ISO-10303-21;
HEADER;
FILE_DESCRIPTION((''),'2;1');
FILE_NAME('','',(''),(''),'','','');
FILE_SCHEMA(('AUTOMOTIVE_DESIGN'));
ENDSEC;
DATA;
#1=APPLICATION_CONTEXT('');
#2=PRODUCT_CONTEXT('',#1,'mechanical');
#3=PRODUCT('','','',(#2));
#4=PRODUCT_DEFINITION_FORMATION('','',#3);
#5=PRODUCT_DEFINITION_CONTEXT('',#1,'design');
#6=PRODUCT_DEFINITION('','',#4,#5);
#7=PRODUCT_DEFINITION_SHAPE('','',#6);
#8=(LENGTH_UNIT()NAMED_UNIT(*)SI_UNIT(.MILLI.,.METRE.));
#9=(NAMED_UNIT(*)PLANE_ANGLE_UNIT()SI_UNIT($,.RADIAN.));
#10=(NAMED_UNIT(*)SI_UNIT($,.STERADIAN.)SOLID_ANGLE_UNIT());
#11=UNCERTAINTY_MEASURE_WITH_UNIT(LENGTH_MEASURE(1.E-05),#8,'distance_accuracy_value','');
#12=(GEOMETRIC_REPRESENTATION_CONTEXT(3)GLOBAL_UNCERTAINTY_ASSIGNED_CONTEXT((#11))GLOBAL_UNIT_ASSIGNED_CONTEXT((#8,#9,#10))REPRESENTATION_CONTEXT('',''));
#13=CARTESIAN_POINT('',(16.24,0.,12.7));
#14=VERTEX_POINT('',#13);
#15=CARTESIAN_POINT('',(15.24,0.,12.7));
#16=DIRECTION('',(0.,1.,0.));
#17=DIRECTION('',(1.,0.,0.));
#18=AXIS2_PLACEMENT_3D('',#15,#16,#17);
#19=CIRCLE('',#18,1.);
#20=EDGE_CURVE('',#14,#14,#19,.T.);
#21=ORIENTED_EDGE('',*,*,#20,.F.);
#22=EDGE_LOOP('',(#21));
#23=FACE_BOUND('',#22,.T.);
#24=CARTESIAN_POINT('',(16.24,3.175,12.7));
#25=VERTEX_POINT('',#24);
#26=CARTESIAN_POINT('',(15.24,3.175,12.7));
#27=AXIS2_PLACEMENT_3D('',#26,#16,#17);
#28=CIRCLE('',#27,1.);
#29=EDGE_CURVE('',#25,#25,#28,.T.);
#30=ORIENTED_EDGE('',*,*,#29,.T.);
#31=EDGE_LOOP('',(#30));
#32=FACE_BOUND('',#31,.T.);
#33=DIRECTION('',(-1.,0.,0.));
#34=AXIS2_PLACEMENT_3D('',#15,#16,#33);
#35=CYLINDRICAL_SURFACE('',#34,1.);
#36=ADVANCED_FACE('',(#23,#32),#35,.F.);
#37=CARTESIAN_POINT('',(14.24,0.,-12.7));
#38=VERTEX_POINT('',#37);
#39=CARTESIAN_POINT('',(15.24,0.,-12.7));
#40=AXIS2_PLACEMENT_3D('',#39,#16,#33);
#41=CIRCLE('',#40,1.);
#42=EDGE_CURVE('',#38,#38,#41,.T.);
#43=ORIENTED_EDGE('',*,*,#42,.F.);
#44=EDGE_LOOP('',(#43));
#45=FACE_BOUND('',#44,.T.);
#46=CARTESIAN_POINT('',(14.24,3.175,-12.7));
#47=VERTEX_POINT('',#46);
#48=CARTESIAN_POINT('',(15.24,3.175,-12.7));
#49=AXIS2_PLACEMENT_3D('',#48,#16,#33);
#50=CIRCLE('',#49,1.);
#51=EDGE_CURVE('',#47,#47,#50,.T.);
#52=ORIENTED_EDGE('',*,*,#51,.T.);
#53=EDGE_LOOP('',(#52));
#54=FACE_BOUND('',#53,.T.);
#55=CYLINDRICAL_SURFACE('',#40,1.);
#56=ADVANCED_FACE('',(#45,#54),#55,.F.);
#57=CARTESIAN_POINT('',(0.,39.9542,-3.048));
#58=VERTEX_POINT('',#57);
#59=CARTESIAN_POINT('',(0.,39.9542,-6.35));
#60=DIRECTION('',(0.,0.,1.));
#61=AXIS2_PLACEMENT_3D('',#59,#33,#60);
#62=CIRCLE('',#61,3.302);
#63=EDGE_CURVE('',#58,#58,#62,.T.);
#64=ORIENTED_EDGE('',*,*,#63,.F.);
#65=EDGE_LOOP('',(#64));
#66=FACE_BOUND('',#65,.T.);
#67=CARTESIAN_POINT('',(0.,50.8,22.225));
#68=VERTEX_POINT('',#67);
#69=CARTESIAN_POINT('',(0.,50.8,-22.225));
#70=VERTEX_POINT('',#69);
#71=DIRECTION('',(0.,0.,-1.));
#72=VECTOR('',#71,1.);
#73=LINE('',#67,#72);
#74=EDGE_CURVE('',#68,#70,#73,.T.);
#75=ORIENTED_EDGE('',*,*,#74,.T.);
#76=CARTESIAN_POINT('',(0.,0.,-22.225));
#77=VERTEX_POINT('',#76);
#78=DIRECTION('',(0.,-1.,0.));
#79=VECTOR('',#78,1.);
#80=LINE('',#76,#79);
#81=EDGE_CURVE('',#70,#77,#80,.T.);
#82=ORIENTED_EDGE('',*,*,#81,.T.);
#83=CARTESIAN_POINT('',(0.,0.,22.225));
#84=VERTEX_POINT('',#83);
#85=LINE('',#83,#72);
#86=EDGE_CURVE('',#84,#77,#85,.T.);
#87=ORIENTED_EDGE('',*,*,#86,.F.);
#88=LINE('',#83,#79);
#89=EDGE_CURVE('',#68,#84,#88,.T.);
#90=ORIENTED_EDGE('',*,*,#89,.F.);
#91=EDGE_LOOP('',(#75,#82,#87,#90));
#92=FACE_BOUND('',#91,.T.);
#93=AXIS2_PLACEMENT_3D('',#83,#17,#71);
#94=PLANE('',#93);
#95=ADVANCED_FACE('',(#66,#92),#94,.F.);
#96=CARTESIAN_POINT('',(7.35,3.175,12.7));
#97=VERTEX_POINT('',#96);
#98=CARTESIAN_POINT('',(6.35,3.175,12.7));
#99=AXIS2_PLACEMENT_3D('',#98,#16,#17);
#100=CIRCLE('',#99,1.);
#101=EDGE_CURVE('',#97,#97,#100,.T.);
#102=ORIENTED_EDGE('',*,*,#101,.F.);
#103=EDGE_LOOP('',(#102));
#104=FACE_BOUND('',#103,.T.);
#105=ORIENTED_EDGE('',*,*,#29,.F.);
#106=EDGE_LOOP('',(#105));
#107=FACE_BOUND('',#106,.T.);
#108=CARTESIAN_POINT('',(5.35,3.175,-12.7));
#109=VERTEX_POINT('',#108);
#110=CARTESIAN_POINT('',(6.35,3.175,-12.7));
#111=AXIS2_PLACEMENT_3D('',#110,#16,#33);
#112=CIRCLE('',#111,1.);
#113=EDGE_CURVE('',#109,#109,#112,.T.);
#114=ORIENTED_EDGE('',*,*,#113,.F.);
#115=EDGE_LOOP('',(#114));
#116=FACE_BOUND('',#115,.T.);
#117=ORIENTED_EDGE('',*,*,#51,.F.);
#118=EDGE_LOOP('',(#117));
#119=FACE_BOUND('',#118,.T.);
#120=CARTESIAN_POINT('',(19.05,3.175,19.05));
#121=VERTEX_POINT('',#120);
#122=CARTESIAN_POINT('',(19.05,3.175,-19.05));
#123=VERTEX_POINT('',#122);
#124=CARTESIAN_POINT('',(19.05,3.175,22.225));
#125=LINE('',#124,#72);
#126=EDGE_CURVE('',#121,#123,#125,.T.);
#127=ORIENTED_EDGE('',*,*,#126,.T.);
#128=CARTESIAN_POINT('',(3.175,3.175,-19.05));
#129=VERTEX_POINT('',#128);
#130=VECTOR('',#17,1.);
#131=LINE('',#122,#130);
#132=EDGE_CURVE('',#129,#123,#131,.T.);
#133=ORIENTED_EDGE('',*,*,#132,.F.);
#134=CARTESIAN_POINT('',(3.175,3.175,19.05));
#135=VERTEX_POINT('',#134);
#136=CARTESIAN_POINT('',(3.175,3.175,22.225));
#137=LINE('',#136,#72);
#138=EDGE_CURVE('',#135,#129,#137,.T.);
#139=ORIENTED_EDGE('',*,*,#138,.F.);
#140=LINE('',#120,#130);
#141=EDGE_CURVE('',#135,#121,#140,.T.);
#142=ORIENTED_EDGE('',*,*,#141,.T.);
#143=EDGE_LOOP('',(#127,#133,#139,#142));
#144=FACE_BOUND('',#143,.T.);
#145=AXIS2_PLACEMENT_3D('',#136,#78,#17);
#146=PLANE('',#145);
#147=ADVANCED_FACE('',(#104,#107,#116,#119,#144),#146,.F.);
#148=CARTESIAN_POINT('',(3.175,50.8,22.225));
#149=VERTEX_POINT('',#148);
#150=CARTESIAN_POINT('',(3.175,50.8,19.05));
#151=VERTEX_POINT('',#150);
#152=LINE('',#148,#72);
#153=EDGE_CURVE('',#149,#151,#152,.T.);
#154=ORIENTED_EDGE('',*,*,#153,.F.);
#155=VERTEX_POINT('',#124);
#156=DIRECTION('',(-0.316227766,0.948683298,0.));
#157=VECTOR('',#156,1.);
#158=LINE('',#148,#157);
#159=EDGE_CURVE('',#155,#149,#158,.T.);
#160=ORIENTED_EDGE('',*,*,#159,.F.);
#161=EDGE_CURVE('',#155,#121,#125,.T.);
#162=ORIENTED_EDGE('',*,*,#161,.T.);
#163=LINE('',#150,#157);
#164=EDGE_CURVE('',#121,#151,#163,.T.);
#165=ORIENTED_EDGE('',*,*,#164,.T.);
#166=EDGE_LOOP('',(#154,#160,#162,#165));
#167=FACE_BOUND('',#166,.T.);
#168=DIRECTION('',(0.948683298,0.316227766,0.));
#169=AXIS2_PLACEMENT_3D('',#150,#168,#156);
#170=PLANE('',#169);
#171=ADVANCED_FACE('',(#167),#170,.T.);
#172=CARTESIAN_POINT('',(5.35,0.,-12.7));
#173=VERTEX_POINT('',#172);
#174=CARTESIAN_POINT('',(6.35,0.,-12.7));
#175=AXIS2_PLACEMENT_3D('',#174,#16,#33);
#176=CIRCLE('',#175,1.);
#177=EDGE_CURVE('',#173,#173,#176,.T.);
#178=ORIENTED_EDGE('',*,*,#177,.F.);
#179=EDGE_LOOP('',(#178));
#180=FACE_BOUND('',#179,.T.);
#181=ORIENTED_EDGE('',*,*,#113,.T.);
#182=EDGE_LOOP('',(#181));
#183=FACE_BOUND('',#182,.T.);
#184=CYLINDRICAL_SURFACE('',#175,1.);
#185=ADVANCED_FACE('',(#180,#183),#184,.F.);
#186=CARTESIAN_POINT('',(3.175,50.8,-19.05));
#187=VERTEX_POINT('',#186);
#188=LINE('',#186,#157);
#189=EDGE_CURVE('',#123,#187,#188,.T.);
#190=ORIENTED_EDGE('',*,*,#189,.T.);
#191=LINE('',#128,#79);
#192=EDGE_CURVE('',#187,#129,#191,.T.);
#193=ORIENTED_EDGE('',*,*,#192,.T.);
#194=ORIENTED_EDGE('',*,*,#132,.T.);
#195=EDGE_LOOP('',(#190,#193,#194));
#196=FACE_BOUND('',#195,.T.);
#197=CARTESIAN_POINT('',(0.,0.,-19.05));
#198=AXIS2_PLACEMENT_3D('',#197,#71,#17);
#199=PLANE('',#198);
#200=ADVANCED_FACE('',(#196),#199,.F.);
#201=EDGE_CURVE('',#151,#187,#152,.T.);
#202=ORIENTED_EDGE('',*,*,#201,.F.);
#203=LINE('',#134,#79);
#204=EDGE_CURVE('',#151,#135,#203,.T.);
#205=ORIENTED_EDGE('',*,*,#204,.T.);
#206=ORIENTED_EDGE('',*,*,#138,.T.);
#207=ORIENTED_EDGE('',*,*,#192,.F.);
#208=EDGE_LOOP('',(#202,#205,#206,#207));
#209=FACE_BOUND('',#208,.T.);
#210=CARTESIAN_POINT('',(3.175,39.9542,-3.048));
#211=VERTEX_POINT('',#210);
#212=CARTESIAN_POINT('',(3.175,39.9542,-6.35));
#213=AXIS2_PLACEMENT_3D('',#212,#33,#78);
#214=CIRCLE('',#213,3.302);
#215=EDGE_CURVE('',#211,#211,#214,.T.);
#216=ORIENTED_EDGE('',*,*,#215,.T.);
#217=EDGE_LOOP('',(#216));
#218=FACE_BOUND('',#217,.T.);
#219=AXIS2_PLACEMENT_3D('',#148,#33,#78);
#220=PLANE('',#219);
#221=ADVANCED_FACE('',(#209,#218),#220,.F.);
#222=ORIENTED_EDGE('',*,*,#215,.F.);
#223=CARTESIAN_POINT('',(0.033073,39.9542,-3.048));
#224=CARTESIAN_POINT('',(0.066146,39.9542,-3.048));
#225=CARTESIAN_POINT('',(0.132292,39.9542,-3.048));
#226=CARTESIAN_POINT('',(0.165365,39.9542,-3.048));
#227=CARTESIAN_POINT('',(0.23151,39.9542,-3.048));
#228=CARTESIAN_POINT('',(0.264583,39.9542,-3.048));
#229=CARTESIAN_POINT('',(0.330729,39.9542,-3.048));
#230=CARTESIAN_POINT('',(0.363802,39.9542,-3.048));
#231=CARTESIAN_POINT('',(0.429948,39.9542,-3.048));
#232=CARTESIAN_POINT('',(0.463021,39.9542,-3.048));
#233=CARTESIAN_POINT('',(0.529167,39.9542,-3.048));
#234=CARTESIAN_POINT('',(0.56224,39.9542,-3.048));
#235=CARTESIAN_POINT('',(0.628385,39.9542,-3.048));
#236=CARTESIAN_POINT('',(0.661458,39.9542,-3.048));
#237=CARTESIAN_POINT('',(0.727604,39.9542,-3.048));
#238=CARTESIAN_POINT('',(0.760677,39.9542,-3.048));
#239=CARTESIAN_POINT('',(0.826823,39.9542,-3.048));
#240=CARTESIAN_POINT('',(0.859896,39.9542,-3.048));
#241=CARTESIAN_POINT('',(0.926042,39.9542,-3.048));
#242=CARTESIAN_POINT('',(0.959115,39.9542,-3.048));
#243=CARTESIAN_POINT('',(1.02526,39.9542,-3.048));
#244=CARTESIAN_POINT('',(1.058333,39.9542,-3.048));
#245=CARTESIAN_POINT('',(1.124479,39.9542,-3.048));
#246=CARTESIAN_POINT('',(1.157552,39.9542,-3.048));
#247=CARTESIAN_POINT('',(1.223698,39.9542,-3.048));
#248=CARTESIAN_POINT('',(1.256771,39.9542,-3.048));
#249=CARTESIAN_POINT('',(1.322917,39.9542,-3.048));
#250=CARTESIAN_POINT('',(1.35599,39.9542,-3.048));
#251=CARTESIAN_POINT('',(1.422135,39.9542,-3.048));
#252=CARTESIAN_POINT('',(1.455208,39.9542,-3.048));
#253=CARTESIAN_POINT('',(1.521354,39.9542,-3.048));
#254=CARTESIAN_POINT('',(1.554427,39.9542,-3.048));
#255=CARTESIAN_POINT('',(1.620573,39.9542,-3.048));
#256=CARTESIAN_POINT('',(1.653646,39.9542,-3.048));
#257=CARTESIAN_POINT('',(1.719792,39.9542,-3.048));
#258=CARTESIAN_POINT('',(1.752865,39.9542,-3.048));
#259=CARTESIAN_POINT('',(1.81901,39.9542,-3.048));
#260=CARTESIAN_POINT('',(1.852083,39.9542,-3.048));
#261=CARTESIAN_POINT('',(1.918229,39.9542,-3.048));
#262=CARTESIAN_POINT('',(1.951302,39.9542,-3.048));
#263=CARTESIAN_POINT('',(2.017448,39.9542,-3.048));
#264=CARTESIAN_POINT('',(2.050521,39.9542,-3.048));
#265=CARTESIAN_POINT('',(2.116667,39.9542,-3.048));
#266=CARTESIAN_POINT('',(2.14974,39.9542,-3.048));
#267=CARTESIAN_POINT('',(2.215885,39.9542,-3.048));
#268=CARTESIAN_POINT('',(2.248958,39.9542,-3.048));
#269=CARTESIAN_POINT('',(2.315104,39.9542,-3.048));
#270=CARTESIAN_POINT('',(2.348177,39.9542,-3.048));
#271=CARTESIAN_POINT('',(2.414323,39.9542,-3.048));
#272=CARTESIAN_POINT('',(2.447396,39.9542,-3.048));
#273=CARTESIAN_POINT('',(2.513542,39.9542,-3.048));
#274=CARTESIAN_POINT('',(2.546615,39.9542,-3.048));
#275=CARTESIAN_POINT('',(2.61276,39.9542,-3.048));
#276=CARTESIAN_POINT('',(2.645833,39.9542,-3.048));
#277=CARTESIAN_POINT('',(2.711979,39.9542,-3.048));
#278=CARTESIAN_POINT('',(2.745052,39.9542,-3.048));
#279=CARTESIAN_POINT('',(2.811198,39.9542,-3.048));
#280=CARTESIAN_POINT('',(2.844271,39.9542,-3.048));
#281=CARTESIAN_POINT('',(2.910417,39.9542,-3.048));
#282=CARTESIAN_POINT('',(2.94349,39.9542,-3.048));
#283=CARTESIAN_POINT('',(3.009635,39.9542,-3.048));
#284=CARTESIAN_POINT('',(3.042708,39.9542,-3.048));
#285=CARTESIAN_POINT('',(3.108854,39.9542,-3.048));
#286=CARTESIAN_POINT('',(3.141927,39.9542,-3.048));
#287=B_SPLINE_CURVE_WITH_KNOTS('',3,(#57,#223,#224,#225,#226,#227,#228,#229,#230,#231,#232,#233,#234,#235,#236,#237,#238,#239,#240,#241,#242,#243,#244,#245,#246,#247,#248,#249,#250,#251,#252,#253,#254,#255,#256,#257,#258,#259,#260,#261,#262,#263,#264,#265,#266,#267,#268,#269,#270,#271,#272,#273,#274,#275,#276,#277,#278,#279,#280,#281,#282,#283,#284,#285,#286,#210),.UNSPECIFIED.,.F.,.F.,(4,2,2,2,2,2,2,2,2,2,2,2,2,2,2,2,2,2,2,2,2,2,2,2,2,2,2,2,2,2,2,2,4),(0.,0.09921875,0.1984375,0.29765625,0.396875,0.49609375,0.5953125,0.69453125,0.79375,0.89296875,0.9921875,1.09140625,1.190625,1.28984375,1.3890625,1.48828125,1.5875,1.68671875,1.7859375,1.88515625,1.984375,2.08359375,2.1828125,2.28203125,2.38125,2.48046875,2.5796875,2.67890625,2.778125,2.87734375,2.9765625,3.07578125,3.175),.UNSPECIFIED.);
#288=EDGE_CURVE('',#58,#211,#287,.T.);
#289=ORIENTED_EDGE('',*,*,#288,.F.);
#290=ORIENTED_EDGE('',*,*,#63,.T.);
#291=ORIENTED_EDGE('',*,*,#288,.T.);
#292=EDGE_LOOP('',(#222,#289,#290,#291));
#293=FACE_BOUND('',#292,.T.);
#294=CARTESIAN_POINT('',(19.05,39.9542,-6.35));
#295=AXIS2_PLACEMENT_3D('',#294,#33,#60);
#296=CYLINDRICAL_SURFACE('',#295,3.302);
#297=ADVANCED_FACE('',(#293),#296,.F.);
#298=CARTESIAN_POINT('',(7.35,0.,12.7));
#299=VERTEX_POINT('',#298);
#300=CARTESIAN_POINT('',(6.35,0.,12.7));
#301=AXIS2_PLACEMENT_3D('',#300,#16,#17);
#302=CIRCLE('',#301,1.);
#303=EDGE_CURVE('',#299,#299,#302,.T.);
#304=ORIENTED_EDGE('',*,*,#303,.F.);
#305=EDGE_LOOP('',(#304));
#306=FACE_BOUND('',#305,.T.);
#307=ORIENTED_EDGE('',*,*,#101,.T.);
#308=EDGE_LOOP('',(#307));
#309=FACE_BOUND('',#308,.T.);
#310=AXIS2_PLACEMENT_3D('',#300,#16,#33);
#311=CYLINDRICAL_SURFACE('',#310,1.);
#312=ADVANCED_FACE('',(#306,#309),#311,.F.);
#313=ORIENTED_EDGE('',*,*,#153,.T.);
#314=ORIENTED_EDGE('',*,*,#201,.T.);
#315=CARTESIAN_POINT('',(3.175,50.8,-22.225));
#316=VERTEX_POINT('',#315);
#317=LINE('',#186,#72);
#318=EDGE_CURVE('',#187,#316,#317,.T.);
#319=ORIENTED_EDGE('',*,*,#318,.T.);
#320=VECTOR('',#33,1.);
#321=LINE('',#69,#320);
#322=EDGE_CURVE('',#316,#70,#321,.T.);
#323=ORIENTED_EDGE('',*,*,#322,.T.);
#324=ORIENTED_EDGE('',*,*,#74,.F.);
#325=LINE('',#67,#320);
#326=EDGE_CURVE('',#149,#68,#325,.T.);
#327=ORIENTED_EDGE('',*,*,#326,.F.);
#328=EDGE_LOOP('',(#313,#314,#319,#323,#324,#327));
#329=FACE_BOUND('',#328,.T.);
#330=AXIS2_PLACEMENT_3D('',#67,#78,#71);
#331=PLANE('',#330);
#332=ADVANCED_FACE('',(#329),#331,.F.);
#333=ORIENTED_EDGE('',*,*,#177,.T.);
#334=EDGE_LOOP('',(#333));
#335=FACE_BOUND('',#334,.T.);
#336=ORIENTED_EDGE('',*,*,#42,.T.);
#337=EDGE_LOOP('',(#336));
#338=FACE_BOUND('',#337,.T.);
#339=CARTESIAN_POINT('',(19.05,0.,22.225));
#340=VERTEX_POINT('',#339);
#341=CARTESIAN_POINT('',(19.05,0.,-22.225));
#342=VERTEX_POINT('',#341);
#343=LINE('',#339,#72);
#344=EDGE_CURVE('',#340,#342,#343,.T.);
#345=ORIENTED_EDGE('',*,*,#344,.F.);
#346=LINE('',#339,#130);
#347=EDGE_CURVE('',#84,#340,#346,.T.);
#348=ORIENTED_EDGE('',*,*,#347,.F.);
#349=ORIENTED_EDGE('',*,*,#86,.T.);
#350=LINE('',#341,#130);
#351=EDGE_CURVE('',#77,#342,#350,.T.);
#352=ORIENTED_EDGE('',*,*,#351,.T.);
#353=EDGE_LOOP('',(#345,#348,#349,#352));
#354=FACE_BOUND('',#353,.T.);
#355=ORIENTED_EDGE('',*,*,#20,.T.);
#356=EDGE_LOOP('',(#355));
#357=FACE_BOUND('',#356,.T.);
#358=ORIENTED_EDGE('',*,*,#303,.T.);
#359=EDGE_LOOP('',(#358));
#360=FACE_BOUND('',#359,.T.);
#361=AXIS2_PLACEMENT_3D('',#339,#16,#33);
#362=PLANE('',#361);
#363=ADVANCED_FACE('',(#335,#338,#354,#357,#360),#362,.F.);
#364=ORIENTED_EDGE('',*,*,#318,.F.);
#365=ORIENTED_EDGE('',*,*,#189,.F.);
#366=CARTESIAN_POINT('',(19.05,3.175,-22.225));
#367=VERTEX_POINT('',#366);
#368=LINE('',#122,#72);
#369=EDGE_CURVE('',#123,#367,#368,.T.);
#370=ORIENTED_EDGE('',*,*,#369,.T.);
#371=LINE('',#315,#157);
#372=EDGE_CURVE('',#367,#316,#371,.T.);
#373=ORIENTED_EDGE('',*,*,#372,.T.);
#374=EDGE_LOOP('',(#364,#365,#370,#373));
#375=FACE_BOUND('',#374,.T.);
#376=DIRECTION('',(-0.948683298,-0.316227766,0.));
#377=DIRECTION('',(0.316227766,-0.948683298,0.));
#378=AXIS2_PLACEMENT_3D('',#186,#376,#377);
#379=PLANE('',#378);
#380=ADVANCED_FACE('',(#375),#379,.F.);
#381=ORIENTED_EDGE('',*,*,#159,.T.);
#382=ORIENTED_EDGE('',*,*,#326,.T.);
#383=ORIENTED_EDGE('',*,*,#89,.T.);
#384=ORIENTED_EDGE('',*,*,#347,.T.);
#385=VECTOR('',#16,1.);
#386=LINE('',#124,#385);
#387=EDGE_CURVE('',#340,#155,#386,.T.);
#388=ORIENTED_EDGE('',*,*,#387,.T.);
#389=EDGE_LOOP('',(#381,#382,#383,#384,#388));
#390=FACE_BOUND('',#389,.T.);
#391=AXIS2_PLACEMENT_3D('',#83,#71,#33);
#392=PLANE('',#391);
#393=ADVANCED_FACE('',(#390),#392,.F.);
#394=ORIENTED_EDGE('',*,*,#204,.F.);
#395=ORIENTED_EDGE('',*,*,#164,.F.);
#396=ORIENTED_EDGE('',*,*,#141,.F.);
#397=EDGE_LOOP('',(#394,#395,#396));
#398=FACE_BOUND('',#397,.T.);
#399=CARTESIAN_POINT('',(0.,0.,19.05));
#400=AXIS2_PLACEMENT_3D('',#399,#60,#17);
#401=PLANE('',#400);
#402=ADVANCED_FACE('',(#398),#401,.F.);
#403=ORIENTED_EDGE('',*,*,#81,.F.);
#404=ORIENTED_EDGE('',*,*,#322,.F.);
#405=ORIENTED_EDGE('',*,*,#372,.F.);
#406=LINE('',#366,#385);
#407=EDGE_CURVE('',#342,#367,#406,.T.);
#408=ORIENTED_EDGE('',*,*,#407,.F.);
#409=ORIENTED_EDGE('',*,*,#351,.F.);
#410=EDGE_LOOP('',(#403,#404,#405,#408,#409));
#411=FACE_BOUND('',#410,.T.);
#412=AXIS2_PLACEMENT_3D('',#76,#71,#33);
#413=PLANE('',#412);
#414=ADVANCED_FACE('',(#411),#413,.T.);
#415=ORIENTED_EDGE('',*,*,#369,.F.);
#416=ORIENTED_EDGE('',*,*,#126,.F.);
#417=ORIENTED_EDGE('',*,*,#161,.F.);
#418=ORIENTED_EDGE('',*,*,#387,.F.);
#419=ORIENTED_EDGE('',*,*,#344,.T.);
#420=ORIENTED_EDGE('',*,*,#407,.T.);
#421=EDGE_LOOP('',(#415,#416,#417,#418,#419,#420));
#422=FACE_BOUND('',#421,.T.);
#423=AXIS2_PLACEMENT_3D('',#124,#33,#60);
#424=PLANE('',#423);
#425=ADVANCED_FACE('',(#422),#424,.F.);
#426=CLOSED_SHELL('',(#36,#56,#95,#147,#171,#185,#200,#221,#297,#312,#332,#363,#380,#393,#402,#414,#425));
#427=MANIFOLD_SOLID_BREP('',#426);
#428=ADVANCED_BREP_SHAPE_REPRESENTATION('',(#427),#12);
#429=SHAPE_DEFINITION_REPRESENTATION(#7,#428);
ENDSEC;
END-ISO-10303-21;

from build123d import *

# Parameters (mm, degrees)
BOSS_EXTRUDE1_DEPTH = 22.225
SKETCH2_R           = 3.302
CUT_EXTRUDE1_DEPTH  = 59.630138368
BOSS_EXTRUDE2_DEPTH = 3.175
SKETCH4_R           = 1.000000032
CUT_EXTRUDE2_DEPTH  = 56.901643536


with BuildPart() as part:
    # Sketch1 → Boss-Extrude1 (new, symmetric)
    with BuildSketch(Plane.XY):
        Polygon((0, 0), (0, 50.8), (3.175, 50.8), (3.175, 3.175), (19.05, 3.175), (19.05, 0), align=None)
    extrude(amount=BOSS_EXTRUDE1_DEPTH, both=True)

    # Sketch2 → Cut-Extrude1 (cut, through all)
    with BuildSketch(Plane.ZY):
        with Locations((-6.35, 39.9542)):
            Circle(SKETCH2_R)
    extrude(amount=-CUT_EXTRUDE1_DEPTH, mode=Mode.SUBTRACT)

    # Sketch3 → Boss-Extrude2 (add)
    with BuildSketch(Plane.XY.offset(22.225)):
        Polygon((3.175, 50.8), (19.05, 3.175), (3.175, 3.175), align=None)
    boss_extrude2 = extrude(amount=-BOSS_EXTRUDE2_DEPTH)

    # Mirror1: Boss-Extrude2 across plane
    add(boss_extrude2.mirror(Plane.XY))

    # Sketch4 → Cut-Extrude2 (cut, through all)
    with BuildSketch(Plane(origin=(0, 3.175, 0), x_dir=(1, 0, 0), z_dir=(0, 1, 0))):
        with Locations(Location((6.35, 12.7, 0), (0, 0, 180))):
            Circle(SKETCH4_R)
        with Locations(Location((15.24, 12.7, 0), (0, 0, 180))):
            Circle(SKETCH4_R)
        with Locations((15.24, -12.7)):
            Circle(SKETCH4_R)
        with Locations((6.35, -12.7)):
            Circle(SKETCH4_R)
    extrude(amount=-CUT_EXTRUDE2_DEPTH, mode=Mode.SUBTRACT)


solid = part.part
